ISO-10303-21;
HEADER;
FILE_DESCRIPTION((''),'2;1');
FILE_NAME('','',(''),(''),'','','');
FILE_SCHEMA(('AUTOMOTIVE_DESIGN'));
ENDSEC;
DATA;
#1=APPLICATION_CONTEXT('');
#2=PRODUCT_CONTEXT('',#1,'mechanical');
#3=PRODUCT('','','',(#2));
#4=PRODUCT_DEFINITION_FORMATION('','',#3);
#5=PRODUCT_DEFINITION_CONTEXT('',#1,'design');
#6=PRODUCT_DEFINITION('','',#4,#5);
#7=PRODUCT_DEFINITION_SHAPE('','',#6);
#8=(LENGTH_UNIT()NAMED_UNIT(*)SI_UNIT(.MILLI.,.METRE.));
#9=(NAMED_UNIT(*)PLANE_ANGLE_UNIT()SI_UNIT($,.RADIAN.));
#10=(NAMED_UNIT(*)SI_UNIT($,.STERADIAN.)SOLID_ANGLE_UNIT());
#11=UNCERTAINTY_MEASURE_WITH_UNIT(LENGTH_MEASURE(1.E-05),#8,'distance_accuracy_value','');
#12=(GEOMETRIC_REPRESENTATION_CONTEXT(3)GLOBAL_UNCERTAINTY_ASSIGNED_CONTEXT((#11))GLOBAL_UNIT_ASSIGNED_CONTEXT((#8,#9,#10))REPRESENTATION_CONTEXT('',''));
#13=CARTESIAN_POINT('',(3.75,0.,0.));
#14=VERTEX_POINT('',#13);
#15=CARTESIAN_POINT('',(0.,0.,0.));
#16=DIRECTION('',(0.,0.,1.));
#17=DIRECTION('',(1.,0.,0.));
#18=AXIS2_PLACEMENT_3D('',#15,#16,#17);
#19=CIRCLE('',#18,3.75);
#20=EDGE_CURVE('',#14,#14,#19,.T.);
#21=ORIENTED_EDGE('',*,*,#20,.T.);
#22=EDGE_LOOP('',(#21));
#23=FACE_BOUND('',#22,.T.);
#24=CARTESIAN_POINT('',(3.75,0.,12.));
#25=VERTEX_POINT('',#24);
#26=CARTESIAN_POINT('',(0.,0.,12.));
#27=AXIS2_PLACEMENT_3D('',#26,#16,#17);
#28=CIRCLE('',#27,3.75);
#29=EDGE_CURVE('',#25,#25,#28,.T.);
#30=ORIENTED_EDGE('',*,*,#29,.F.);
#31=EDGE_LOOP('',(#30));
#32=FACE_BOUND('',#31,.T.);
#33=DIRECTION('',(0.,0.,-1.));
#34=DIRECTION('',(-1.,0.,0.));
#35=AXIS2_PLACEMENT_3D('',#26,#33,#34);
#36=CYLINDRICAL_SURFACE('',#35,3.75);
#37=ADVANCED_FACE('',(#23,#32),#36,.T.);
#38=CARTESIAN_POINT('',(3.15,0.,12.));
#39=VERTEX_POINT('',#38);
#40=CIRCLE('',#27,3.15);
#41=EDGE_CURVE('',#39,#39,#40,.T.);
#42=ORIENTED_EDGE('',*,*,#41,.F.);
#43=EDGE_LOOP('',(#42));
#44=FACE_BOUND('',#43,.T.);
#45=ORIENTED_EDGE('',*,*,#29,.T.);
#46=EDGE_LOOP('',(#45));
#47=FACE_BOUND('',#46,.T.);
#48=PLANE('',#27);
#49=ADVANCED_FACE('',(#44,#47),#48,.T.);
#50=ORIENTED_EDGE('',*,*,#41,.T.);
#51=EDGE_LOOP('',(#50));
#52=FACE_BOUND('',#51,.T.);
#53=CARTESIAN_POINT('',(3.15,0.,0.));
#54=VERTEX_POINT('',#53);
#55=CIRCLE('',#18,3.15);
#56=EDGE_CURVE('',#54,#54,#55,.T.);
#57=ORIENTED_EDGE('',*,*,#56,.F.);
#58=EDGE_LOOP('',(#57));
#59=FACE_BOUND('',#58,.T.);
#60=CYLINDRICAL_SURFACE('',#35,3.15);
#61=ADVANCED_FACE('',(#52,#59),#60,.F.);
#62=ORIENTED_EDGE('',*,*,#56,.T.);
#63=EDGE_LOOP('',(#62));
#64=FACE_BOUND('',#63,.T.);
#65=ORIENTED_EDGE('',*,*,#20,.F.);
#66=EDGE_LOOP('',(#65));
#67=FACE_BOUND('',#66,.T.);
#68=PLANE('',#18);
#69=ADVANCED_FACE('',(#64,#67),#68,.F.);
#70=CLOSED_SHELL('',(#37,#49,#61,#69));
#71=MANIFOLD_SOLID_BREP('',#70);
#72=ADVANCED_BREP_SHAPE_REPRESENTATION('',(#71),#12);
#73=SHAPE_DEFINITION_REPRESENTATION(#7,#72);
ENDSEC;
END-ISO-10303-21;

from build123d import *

# Parameters (mm, degrees)
SKETCH_1_R      = 3.75
SKETCH_1_R_2    = 3.15
EXTRUDE_1_DEPTH = 12


with BuildPart() as part:
    # ｽｹｯﾁ1 → ﾎﾞｽ - 押し出し1 (new body)
    with BuildSketch(Plane.XY):
        Circle(SKETCH_1_R)
        Circle(SKETCH_1_R_2, mode=Mode.SUBTRACT)
    extrude(amount=EXTRUDE_1_DEPTH)


solid = part.part
